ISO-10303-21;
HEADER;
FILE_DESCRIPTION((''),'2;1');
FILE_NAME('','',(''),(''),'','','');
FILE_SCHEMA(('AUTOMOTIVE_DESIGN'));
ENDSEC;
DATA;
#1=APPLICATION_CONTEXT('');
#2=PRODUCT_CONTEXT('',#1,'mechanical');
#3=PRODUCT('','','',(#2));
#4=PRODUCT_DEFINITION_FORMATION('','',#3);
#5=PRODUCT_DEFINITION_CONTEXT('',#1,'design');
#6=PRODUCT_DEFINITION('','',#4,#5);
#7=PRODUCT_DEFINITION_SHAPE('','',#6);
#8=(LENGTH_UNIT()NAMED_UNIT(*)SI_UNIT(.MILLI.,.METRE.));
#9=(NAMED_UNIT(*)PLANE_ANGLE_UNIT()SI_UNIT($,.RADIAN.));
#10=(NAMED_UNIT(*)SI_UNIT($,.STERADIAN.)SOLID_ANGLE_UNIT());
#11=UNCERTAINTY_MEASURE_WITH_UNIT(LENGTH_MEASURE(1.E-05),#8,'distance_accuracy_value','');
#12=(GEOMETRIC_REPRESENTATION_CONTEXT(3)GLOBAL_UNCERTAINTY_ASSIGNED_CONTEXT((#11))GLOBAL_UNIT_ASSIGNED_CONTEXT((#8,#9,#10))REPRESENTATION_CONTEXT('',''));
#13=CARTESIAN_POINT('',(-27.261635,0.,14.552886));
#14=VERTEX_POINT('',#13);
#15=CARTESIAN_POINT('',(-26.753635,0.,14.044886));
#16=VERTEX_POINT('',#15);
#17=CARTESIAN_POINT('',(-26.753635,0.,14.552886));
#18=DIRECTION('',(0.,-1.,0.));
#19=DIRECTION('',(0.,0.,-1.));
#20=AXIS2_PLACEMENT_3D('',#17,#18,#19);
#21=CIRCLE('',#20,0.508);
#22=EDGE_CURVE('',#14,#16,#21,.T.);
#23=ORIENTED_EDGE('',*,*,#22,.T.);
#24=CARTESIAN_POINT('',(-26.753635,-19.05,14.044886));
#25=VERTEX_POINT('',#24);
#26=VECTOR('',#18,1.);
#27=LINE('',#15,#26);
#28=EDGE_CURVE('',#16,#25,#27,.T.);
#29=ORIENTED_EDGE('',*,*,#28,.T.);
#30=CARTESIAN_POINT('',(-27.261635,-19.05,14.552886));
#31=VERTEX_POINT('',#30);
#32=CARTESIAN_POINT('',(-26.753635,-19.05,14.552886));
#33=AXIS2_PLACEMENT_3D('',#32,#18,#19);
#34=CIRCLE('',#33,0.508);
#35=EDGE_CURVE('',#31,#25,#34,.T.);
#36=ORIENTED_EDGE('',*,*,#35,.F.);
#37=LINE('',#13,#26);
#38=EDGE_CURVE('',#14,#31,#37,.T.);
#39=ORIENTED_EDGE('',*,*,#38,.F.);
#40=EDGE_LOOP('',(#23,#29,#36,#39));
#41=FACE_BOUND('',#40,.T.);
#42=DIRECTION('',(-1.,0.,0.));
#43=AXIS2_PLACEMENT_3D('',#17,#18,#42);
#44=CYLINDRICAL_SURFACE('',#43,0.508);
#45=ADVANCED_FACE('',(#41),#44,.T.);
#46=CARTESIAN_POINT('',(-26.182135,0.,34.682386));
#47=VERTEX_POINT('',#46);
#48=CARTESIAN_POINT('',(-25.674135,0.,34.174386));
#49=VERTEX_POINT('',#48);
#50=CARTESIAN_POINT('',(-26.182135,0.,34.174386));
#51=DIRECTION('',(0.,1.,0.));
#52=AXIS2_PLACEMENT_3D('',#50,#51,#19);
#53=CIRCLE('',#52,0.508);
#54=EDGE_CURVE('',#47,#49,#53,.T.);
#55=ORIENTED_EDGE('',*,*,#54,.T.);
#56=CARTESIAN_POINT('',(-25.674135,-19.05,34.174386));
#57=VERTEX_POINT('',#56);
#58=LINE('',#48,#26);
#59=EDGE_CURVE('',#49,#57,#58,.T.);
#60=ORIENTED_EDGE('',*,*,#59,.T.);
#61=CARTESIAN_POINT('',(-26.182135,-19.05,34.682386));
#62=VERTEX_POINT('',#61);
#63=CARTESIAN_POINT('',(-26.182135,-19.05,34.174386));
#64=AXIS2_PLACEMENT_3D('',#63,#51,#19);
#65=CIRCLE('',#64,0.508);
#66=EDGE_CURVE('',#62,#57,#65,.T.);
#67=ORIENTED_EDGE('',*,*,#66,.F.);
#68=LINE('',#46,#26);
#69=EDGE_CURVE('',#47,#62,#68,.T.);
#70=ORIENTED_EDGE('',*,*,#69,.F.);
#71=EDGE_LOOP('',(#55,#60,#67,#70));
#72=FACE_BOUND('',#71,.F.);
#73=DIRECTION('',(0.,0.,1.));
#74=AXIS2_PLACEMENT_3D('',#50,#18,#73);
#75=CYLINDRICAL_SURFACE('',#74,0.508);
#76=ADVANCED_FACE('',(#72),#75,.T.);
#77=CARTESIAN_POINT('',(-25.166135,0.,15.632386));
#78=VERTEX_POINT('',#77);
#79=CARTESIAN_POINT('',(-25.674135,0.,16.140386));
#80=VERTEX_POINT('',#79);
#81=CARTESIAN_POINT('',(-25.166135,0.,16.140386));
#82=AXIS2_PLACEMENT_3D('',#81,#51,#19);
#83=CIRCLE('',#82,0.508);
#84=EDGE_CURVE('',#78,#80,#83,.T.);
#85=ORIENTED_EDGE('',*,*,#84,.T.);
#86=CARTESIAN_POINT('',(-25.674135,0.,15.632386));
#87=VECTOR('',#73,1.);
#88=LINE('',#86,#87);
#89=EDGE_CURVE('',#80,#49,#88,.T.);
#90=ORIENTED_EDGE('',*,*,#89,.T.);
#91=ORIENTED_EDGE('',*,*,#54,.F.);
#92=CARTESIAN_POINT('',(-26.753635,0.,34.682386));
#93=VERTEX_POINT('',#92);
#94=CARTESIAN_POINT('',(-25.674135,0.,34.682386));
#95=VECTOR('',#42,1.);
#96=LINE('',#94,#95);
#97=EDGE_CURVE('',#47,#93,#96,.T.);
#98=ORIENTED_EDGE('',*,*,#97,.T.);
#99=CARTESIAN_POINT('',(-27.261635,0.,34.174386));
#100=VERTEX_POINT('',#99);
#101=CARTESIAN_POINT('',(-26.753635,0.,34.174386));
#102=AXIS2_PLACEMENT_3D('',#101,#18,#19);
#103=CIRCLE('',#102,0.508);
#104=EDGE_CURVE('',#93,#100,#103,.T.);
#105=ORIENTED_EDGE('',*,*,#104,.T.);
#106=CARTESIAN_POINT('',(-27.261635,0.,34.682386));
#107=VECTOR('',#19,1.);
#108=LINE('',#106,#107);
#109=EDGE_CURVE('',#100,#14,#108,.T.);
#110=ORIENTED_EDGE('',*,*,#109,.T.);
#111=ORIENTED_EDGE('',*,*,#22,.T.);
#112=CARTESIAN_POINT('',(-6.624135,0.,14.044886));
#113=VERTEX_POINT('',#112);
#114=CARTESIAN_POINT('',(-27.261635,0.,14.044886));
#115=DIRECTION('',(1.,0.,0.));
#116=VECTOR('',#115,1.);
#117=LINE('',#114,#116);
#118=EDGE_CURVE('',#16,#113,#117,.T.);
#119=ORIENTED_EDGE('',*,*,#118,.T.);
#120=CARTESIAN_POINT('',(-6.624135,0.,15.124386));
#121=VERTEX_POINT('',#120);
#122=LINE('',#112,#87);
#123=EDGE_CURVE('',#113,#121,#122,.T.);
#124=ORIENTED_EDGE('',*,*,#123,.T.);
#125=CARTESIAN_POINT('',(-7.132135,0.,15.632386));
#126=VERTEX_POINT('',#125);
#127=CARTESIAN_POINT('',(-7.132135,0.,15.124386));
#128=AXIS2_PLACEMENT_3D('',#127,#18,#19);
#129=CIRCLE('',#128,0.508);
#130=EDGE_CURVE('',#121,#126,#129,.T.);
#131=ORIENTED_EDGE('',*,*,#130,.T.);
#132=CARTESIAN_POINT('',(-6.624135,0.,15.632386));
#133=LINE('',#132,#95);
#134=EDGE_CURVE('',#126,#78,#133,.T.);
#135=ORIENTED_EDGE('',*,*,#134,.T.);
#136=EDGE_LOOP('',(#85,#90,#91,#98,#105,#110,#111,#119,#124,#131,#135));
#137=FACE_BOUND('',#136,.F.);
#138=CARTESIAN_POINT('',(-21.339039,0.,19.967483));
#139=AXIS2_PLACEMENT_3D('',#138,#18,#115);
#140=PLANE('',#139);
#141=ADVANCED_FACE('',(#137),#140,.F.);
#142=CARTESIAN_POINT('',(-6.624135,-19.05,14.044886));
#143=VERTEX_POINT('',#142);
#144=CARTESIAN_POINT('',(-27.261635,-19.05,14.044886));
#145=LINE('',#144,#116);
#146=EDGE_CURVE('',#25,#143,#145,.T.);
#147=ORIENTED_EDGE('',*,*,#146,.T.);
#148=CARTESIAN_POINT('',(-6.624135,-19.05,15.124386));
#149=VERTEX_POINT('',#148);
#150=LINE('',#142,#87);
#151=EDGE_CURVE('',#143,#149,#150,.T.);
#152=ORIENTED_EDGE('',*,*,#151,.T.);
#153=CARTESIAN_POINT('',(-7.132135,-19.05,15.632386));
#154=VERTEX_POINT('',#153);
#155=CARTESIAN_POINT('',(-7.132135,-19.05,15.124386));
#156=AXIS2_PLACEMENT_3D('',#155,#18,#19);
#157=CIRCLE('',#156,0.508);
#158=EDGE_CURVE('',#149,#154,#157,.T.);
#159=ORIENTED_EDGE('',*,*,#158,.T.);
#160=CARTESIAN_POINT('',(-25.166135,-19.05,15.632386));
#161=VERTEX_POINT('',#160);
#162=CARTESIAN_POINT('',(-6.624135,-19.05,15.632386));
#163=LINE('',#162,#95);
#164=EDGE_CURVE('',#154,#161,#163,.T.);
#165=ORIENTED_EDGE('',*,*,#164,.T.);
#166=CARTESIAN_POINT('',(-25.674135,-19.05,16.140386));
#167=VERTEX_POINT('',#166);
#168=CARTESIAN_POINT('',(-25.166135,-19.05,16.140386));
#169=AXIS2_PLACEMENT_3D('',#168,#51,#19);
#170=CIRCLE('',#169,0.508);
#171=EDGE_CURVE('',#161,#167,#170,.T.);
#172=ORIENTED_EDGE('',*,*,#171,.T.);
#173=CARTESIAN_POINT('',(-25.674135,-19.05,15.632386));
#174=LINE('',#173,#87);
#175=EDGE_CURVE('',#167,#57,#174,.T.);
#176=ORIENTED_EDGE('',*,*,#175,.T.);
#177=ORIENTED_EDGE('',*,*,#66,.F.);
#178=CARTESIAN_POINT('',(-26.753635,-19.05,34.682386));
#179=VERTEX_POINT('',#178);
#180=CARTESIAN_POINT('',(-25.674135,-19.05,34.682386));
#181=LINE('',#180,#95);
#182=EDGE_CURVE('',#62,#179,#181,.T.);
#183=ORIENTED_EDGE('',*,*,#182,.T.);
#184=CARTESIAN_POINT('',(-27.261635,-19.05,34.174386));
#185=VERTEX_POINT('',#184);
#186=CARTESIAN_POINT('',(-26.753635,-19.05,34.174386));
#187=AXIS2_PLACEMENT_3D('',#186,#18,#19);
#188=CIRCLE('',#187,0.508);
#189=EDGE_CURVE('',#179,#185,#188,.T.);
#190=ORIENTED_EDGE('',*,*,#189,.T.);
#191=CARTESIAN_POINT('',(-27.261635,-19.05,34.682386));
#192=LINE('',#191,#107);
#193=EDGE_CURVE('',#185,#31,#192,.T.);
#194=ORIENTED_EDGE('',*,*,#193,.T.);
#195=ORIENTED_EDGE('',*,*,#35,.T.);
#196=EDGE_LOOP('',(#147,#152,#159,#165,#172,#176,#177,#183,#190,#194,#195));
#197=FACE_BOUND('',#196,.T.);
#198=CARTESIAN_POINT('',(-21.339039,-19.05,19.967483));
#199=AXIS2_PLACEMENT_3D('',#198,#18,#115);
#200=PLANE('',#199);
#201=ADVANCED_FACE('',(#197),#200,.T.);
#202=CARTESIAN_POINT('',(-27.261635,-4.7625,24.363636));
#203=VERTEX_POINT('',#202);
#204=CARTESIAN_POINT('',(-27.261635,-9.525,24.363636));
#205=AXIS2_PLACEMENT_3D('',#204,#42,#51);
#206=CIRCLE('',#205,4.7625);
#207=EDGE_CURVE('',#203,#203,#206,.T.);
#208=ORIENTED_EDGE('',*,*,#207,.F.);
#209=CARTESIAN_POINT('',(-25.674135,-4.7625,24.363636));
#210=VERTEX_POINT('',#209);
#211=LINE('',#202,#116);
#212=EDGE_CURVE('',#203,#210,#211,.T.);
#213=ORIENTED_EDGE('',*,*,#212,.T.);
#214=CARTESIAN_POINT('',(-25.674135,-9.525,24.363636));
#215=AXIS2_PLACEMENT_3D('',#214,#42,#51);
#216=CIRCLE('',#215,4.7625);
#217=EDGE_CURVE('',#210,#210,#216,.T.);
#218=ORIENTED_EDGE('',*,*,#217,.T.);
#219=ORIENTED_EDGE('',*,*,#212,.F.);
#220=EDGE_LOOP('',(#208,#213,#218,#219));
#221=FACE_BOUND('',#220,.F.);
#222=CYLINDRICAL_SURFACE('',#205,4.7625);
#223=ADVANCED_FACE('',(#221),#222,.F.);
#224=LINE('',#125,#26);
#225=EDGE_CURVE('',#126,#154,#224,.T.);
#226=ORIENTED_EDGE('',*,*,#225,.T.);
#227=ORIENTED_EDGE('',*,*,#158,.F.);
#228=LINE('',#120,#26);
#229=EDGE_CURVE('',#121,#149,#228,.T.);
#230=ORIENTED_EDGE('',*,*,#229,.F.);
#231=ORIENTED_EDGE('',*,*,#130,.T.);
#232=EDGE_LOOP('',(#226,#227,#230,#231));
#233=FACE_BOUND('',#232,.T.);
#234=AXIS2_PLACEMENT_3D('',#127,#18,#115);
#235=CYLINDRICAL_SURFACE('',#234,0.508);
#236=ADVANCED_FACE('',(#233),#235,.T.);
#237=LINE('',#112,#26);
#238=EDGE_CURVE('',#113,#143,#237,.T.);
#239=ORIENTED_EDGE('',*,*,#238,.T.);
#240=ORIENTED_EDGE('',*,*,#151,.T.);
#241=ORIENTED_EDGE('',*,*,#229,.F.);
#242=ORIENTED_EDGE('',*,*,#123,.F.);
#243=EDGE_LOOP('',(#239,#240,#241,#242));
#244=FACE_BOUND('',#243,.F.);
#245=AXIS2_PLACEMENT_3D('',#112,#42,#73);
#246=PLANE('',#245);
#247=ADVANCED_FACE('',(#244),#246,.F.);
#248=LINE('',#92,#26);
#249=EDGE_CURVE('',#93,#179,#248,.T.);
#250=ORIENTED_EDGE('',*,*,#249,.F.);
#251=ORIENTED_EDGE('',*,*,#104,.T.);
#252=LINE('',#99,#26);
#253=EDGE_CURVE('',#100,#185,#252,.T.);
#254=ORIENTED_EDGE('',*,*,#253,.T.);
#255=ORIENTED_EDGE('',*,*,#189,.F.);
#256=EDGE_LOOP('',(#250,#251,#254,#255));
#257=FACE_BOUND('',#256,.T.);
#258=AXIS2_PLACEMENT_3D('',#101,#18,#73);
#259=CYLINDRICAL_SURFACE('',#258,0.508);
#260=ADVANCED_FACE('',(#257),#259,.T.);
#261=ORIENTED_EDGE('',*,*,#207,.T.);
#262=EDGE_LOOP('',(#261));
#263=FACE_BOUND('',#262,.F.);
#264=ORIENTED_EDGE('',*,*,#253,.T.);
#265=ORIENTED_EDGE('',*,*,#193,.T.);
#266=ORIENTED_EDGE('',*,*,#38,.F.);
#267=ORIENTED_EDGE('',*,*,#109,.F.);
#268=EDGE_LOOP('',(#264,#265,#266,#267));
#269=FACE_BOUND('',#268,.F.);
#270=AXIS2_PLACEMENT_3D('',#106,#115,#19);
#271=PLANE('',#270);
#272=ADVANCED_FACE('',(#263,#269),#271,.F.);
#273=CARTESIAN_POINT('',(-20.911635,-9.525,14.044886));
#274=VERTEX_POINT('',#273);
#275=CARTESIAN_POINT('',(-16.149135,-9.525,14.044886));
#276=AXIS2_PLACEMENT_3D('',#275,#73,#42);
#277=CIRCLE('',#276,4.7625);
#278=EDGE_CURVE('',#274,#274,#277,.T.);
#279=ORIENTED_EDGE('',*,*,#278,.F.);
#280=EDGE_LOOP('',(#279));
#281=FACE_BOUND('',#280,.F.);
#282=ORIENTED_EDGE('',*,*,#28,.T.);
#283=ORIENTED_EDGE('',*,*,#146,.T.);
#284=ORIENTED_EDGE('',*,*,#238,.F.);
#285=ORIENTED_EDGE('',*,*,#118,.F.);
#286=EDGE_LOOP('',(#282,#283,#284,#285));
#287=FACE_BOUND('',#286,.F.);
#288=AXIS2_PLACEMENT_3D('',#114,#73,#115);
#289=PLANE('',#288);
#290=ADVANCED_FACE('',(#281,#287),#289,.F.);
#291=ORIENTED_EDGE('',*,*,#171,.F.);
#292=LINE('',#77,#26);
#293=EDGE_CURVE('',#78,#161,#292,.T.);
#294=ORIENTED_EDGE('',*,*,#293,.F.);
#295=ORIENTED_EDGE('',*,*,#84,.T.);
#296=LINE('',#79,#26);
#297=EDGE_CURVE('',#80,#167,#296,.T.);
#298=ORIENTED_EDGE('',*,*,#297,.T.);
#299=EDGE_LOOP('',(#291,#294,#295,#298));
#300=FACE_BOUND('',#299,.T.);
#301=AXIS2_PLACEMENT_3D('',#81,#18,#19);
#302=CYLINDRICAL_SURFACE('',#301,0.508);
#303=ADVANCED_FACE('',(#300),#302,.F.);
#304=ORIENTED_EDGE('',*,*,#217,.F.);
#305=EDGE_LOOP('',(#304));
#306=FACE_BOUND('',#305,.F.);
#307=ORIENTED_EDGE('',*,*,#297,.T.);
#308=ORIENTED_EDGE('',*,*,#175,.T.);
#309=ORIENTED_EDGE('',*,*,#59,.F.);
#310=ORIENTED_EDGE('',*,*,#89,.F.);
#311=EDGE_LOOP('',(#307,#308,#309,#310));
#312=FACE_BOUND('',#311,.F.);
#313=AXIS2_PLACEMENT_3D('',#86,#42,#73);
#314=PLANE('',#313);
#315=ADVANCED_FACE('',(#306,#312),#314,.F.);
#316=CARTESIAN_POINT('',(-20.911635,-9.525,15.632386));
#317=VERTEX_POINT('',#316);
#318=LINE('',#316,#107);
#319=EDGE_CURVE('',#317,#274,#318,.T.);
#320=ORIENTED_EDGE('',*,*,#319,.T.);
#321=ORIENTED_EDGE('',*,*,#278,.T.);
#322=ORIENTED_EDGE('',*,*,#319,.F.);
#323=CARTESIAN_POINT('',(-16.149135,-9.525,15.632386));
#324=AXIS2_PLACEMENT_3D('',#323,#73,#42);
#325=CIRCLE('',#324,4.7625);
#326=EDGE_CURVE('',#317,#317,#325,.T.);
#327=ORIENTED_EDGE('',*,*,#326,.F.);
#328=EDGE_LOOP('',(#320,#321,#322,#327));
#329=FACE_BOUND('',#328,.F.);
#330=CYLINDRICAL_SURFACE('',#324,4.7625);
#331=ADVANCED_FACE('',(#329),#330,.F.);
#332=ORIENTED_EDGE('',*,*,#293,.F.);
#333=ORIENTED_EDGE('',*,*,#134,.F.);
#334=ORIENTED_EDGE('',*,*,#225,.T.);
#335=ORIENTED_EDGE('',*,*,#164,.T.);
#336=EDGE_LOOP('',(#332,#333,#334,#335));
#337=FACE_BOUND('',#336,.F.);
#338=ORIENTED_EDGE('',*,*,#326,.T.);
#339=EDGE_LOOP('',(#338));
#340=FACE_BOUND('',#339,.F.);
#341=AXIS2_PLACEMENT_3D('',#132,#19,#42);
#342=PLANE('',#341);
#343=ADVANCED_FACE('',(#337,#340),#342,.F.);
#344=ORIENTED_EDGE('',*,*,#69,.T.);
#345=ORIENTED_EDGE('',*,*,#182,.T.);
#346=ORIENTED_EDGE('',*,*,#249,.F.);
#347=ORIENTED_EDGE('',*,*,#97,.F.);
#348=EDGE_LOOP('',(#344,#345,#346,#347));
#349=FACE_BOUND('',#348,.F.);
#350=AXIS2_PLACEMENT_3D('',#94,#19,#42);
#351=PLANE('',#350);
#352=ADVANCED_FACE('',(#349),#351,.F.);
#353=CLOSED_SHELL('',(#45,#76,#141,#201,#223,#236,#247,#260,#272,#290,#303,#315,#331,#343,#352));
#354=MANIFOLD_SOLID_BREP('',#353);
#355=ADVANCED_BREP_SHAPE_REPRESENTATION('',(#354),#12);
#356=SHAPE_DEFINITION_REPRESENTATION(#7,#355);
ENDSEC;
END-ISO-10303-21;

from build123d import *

# Parameters (mm, degrees)
F1_DEPTH = 19.05
F2_R     = 0.508
F4_DEPTH = 25.4
F6_DEPTH = 25.4


with BuildPart() as f1:
    # F0 (on Front) → F1 (new body)
    with BuildSketch(Plane.XZ):
        Polygon((-25.6741352886, 34.6823864549), (-27.2616352886, 34.6823864549), (-27.2616352886, 14.0448864549), (-6.6241352886, 14.0448864549), (-6.6241352886, 15.6323864549), (-25.6741352886, 15.6323864549), align=None)
    extrude(amount=F1_DEPTH)

    # F2
    f2_edges = [f1.edges().sort_by_distance(p)[0] for p in [
        (-27.261635, -9.525, 14.044886),
        (-27.261635, -9.525, 34.682386),
        (-25.674135, -9.525, 34.682386),
        (-6.624135, -9.525, 15.632386),
        (-25.674135, -9.525, 15.632386),
    ]]
    fillet(f2_edges, radius=F2_R)

    # F3 (on face) → F4 (cut)
    with BuildSketch(Plane(origin=(-27.2616352886, 0, 0), x_dir=(0, -1, 0), z_dir=(-1, 0, 0))):
        with BuildLine():
            Line((4.7625, 24.3636364549), (14.2875, 24.3636364549))
            ThreePointArc((14.2875, 24.3636364549), (9.525, 29.1261364549), (4.7625, 24.3636364549))
        make_face()
        with BuildLine():
            ThreePointArc((4.7625, 24.3636364549), (9.525, 19.6011364549), (14.2875, 24.3636364549))
            Line((14.2875, 24.3636364549), (4.7625, 24.3636364549))
        make_face()
    extrude(amount=-F4_DEPTH, mode=Mode.SUBTRACT)

    # F5 (on face) → F6 (cut)
    with BuildSketch(Plane.XY.offset(15.6323864549)):
        with BuildLine():
            Line((-20.9116352886, -9.525), (-11.3866352886, -9.525))
            ThreePointArc((-11.3866352886, -9.525), (-16.1491352886, -4.7625), (-20.9116352886, -9.525))
        make_face()
        with BuildLine():
            ThreePointArc((-20.9116352886, -9.525), (-16.1491352886, -14.2875), (-11.3866352886, -9.525))
            Line((-11.3866352886, -9.525), (-20.9116352886, -9.525))
        make_face()
    extrude(amount=-F6_DEPTH, mode=Mode.SUBTRACT)


solid = f1.part
